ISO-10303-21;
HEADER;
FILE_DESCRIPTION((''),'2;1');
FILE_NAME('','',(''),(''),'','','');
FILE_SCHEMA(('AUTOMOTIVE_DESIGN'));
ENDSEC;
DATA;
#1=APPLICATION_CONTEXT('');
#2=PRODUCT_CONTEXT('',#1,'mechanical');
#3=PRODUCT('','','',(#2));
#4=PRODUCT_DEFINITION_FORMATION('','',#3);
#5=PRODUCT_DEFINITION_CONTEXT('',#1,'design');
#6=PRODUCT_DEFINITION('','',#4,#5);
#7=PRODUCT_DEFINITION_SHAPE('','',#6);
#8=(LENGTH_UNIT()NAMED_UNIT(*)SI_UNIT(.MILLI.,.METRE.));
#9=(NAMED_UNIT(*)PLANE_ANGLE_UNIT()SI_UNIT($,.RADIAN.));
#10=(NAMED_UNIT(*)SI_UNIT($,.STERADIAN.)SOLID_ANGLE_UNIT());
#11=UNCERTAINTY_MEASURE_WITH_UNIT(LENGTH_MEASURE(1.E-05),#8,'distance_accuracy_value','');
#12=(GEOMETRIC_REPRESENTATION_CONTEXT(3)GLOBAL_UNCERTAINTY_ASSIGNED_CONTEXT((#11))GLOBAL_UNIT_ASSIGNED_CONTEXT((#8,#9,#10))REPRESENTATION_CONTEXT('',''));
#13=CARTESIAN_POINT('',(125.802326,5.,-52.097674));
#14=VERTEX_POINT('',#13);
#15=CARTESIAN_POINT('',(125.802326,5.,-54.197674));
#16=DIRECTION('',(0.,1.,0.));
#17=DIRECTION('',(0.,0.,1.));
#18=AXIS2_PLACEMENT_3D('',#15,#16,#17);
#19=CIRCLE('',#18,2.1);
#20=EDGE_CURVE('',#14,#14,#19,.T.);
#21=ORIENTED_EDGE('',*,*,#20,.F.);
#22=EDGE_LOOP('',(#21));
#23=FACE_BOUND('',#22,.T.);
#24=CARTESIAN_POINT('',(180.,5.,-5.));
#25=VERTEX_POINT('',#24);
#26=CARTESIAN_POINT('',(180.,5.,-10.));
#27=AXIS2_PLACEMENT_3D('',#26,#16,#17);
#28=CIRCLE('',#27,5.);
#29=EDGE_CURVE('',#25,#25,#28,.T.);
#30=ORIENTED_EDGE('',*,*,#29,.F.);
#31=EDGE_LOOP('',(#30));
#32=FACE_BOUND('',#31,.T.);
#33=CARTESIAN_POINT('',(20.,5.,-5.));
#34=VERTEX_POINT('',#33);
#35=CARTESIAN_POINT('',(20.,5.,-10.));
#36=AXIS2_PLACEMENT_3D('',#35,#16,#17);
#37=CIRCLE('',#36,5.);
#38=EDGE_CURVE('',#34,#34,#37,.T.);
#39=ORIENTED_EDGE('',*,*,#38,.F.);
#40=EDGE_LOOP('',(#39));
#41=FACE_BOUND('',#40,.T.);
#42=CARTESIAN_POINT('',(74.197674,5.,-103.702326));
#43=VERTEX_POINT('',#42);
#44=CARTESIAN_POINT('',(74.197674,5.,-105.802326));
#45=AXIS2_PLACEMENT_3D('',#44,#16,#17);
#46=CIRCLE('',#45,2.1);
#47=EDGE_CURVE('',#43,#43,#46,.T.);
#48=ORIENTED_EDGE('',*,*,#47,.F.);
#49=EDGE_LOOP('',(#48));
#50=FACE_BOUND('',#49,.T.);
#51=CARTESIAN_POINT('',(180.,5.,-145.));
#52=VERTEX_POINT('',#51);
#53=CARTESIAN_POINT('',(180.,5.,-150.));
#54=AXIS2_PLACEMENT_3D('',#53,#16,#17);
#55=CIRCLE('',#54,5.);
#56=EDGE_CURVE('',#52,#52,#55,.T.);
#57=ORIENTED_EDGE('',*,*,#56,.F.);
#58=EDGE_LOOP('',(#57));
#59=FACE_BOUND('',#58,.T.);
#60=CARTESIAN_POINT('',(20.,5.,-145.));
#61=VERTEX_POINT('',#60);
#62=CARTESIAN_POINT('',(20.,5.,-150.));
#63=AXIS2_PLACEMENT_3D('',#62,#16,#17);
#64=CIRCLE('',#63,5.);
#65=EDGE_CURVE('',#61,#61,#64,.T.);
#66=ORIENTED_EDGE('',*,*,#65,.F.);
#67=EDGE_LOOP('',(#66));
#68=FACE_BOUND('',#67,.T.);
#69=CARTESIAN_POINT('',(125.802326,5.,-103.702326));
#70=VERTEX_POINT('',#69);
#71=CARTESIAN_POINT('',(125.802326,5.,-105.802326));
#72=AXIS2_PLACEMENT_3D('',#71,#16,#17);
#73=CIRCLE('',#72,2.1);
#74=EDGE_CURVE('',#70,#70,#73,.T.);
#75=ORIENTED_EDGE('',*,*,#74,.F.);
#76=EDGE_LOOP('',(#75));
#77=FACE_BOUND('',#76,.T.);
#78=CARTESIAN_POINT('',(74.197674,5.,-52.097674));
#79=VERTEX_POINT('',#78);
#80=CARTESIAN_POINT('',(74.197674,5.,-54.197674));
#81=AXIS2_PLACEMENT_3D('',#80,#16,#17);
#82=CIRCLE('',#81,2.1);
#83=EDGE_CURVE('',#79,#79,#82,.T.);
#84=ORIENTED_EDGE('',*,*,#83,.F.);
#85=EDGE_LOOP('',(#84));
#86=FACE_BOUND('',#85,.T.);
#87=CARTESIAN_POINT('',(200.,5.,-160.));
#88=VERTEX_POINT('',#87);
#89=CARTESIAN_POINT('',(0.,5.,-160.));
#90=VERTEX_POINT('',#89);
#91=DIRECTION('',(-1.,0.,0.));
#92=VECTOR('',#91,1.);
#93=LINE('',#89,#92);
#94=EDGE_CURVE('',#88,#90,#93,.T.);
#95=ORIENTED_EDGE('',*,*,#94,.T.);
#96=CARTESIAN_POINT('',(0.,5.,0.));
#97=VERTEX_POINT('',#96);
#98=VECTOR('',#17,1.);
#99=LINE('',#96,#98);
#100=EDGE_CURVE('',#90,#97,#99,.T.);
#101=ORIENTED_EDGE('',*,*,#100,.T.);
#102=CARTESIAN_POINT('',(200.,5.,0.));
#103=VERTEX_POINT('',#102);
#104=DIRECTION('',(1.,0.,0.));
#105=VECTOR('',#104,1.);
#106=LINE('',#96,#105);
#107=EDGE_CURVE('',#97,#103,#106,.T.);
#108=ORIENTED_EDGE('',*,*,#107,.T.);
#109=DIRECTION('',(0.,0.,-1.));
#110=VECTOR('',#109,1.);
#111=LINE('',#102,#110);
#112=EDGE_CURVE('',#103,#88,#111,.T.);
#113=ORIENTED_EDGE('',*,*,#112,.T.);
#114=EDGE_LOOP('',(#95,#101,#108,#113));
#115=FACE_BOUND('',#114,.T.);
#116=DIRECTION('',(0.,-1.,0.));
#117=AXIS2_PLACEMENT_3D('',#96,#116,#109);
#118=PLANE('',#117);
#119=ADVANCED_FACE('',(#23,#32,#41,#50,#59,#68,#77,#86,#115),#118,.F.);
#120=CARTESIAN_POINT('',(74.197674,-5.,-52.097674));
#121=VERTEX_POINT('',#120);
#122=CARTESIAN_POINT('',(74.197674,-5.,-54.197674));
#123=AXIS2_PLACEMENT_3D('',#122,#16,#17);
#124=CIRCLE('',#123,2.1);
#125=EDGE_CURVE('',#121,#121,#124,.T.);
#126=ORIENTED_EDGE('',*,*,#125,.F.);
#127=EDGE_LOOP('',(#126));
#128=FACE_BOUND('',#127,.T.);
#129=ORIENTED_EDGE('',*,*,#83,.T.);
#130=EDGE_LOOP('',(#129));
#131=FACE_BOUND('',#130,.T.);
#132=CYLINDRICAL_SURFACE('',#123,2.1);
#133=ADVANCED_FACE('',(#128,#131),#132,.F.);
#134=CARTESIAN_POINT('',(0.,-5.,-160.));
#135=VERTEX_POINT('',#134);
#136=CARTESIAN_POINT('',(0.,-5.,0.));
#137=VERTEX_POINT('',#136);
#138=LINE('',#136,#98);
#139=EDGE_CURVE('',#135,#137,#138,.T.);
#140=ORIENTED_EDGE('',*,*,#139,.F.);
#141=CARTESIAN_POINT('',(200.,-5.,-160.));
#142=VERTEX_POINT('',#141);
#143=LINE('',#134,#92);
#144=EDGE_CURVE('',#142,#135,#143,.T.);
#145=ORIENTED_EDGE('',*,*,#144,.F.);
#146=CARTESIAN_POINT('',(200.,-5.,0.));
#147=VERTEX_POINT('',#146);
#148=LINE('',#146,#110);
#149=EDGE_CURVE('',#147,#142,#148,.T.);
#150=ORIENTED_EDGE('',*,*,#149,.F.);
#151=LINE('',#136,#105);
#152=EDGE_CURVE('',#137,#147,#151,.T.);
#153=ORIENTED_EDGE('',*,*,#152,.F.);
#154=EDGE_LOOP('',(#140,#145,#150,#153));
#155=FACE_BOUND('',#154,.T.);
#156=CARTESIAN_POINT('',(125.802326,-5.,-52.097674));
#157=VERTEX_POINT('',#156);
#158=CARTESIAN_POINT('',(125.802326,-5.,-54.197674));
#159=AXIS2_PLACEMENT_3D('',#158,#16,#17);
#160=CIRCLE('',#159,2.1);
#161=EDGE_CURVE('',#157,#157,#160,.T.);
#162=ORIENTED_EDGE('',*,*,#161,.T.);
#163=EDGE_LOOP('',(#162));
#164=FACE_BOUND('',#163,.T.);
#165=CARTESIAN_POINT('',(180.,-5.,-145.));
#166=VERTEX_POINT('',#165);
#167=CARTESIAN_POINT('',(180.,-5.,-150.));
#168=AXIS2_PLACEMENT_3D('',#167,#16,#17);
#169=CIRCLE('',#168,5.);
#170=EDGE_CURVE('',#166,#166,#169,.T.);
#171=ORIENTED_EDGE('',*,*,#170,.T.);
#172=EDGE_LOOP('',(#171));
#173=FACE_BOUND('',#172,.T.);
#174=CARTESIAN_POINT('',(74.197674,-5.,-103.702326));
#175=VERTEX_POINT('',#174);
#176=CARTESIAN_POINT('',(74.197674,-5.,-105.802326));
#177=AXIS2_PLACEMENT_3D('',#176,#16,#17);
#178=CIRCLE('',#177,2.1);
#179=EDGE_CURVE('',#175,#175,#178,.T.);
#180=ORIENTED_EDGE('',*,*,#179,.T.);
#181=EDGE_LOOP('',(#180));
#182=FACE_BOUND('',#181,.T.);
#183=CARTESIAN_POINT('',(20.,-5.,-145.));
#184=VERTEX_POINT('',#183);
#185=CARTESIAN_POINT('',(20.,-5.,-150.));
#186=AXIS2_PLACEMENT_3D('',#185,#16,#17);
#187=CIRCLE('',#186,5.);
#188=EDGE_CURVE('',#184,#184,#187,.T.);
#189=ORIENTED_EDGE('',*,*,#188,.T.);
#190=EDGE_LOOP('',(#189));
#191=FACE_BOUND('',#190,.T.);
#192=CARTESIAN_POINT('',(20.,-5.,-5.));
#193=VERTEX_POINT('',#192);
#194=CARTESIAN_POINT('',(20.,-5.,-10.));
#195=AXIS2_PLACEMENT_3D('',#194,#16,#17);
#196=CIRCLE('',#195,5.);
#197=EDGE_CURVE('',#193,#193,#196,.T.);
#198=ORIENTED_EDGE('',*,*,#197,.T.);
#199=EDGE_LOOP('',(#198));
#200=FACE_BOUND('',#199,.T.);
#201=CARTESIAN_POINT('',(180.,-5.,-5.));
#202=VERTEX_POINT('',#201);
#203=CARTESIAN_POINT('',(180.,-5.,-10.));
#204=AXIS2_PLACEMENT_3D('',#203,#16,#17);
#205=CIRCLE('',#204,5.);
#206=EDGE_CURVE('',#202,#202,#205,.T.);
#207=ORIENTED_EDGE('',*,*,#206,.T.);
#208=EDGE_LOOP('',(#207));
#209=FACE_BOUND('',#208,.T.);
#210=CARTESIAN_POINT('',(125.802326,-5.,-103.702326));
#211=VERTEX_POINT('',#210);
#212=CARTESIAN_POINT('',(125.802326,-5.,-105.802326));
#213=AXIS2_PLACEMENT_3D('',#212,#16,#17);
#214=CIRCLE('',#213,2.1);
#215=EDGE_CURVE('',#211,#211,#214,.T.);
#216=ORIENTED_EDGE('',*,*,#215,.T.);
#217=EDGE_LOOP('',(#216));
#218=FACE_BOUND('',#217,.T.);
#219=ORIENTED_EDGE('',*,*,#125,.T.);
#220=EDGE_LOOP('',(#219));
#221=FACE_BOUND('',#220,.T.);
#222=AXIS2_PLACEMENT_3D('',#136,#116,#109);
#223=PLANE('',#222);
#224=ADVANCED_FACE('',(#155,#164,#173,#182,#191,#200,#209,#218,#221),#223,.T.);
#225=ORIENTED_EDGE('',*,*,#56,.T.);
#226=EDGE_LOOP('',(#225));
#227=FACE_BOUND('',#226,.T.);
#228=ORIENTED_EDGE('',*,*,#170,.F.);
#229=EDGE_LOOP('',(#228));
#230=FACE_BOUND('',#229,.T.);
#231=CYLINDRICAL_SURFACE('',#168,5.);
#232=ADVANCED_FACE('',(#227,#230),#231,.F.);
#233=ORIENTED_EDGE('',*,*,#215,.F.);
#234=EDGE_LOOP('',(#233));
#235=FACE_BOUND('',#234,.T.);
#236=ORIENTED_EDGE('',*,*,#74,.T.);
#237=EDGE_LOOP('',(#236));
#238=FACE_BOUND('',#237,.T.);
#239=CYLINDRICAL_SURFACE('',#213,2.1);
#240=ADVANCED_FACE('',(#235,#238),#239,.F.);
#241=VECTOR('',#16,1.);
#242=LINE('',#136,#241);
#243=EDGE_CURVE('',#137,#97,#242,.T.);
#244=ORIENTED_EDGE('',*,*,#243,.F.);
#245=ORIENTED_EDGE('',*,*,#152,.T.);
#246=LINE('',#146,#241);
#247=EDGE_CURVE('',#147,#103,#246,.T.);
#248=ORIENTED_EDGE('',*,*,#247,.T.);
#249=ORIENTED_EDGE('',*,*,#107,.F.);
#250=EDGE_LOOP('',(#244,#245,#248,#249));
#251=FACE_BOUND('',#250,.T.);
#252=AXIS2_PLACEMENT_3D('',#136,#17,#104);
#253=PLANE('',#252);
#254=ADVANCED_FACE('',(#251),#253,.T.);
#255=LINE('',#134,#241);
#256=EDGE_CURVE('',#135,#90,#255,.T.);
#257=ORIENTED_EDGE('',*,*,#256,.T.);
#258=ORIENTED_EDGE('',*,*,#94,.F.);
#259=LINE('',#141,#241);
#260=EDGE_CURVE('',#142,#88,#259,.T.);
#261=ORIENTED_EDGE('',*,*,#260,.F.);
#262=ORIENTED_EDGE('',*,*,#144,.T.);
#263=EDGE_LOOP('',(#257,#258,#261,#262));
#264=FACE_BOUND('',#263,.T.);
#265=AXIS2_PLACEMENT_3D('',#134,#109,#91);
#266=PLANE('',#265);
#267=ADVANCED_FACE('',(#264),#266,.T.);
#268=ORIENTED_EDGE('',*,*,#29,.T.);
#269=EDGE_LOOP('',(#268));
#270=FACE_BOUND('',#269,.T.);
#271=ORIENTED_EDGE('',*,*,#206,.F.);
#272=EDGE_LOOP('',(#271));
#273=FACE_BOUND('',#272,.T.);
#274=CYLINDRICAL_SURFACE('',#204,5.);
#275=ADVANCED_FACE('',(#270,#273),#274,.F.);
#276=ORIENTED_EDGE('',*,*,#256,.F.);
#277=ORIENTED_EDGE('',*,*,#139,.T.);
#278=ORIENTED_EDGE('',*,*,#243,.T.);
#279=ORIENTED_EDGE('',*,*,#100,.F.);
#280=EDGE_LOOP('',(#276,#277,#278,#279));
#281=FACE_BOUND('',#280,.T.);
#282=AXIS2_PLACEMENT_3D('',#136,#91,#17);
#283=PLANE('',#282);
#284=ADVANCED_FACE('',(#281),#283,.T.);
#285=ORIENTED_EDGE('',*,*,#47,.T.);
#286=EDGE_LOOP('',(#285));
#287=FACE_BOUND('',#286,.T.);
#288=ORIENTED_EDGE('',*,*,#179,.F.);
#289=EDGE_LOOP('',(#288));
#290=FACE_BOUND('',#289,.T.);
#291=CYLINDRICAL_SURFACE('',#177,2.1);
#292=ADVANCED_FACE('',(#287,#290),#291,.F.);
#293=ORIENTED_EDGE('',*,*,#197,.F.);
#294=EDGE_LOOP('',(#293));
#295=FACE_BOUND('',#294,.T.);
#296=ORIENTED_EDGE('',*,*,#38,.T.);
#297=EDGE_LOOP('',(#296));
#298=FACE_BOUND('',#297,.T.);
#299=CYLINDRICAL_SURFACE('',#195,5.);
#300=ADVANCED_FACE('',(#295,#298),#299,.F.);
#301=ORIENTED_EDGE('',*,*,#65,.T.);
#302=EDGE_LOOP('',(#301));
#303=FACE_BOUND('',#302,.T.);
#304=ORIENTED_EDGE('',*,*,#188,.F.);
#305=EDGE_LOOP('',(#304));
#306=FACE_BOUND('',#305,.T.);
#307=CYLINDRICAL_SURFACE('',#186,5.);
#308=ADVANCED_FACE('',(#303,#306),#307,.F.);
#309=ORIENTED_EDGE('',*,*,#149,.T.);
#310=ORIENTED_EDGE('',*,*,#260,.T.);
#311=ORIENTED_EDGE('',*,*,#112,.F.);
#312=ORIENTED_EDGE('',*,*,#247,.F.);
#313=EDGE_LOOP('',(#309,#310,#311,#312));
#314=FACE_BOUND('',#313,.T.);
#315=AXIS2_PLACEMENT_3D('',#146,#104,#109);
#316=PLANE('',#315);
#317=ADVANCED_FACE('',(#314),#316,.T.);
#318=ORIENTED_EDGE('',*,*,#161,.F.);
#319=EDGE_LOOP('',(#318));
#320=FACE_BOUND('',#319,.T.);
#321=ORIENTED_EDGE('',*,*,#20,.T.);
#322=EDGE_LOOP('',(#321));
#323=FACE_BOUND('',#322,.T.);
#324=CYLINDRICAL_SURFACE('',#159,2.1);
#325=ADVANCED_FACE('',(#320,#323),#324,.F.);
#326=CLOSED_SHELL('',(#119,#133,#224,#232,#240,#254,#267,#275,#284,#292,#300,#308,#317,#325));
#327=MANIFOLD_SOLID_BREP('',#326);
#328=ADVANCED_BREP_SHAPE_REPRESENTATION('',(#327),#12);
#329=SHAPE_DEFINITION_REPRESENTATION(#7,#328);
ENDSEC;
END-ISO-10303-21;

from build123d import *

# Parameters (mm, degrees)
BOSS_EXTRUDE1_DEPTH      = 5
BOSS_EXTRUDE1_DEPTH_BACK = 5
SKETCH1_W                = 200
SKETCH1_H                = 160
SKETCH2_R                = 5
SKETCH2_R_2              = 2.1
CUT_EXTRUDE1_DEPTH       = 257.32011236


with BuildPart() as part:
    # Sketch1 → Boss-Extrude1 (new, two sides: drawn at the far end of the back side and taken through both)
    with BuildSketch(Plane(origin=(0, 0, 0), x_dir=(1, 0, 0), z_dir=(0, 1, 0)).offset(-BOSS_EXTRUDE1_DEPTH_BACK)):
        with Locations((100, 80)):
            Rectangle(SKETCH1_W, SKETCH1_H)
    extrude(amount=BOSS_EXTRUDE1_DEPTH + BOSS_EXTRUDE1_DEPTH_BACK)

    # Sketch2 → Cut-Extrude1 (cut, through all)
    with BuildSketch(Plane(origin=(0, 5, 0), x_dir=(1, 0, 0), z_dir=(0, 1, 0))):
        with Locations((180, 150)):
            Circle(SKETCH2_R)
        with Locations((74.197673555, 105.802326445)):
            Circle(SKETCH2_R_2)
        with Locations((74.197673555, 54.197673555)):
            Circle(SKETCH2_R_2)
        with Locations((125.802326445, 54.197673555)):
            Circle(SKETCH2_R_2)
        with Locations((125.802326445, 105.802326445)):
            Circle(SKETCH2_R_2)
        with Locations((180, 10)):
            Circle(SKETCH2_R)
        with Locations((20, 10)):
            Circle(SKETCH2_R)
        with Locations((20, 150)):
            Circle(SKETCH2_R)
    extrude(amount=-CUT_EXTRUDE1_DEPTH, mode=Mode.SUBTRACT)


solid = part.part
